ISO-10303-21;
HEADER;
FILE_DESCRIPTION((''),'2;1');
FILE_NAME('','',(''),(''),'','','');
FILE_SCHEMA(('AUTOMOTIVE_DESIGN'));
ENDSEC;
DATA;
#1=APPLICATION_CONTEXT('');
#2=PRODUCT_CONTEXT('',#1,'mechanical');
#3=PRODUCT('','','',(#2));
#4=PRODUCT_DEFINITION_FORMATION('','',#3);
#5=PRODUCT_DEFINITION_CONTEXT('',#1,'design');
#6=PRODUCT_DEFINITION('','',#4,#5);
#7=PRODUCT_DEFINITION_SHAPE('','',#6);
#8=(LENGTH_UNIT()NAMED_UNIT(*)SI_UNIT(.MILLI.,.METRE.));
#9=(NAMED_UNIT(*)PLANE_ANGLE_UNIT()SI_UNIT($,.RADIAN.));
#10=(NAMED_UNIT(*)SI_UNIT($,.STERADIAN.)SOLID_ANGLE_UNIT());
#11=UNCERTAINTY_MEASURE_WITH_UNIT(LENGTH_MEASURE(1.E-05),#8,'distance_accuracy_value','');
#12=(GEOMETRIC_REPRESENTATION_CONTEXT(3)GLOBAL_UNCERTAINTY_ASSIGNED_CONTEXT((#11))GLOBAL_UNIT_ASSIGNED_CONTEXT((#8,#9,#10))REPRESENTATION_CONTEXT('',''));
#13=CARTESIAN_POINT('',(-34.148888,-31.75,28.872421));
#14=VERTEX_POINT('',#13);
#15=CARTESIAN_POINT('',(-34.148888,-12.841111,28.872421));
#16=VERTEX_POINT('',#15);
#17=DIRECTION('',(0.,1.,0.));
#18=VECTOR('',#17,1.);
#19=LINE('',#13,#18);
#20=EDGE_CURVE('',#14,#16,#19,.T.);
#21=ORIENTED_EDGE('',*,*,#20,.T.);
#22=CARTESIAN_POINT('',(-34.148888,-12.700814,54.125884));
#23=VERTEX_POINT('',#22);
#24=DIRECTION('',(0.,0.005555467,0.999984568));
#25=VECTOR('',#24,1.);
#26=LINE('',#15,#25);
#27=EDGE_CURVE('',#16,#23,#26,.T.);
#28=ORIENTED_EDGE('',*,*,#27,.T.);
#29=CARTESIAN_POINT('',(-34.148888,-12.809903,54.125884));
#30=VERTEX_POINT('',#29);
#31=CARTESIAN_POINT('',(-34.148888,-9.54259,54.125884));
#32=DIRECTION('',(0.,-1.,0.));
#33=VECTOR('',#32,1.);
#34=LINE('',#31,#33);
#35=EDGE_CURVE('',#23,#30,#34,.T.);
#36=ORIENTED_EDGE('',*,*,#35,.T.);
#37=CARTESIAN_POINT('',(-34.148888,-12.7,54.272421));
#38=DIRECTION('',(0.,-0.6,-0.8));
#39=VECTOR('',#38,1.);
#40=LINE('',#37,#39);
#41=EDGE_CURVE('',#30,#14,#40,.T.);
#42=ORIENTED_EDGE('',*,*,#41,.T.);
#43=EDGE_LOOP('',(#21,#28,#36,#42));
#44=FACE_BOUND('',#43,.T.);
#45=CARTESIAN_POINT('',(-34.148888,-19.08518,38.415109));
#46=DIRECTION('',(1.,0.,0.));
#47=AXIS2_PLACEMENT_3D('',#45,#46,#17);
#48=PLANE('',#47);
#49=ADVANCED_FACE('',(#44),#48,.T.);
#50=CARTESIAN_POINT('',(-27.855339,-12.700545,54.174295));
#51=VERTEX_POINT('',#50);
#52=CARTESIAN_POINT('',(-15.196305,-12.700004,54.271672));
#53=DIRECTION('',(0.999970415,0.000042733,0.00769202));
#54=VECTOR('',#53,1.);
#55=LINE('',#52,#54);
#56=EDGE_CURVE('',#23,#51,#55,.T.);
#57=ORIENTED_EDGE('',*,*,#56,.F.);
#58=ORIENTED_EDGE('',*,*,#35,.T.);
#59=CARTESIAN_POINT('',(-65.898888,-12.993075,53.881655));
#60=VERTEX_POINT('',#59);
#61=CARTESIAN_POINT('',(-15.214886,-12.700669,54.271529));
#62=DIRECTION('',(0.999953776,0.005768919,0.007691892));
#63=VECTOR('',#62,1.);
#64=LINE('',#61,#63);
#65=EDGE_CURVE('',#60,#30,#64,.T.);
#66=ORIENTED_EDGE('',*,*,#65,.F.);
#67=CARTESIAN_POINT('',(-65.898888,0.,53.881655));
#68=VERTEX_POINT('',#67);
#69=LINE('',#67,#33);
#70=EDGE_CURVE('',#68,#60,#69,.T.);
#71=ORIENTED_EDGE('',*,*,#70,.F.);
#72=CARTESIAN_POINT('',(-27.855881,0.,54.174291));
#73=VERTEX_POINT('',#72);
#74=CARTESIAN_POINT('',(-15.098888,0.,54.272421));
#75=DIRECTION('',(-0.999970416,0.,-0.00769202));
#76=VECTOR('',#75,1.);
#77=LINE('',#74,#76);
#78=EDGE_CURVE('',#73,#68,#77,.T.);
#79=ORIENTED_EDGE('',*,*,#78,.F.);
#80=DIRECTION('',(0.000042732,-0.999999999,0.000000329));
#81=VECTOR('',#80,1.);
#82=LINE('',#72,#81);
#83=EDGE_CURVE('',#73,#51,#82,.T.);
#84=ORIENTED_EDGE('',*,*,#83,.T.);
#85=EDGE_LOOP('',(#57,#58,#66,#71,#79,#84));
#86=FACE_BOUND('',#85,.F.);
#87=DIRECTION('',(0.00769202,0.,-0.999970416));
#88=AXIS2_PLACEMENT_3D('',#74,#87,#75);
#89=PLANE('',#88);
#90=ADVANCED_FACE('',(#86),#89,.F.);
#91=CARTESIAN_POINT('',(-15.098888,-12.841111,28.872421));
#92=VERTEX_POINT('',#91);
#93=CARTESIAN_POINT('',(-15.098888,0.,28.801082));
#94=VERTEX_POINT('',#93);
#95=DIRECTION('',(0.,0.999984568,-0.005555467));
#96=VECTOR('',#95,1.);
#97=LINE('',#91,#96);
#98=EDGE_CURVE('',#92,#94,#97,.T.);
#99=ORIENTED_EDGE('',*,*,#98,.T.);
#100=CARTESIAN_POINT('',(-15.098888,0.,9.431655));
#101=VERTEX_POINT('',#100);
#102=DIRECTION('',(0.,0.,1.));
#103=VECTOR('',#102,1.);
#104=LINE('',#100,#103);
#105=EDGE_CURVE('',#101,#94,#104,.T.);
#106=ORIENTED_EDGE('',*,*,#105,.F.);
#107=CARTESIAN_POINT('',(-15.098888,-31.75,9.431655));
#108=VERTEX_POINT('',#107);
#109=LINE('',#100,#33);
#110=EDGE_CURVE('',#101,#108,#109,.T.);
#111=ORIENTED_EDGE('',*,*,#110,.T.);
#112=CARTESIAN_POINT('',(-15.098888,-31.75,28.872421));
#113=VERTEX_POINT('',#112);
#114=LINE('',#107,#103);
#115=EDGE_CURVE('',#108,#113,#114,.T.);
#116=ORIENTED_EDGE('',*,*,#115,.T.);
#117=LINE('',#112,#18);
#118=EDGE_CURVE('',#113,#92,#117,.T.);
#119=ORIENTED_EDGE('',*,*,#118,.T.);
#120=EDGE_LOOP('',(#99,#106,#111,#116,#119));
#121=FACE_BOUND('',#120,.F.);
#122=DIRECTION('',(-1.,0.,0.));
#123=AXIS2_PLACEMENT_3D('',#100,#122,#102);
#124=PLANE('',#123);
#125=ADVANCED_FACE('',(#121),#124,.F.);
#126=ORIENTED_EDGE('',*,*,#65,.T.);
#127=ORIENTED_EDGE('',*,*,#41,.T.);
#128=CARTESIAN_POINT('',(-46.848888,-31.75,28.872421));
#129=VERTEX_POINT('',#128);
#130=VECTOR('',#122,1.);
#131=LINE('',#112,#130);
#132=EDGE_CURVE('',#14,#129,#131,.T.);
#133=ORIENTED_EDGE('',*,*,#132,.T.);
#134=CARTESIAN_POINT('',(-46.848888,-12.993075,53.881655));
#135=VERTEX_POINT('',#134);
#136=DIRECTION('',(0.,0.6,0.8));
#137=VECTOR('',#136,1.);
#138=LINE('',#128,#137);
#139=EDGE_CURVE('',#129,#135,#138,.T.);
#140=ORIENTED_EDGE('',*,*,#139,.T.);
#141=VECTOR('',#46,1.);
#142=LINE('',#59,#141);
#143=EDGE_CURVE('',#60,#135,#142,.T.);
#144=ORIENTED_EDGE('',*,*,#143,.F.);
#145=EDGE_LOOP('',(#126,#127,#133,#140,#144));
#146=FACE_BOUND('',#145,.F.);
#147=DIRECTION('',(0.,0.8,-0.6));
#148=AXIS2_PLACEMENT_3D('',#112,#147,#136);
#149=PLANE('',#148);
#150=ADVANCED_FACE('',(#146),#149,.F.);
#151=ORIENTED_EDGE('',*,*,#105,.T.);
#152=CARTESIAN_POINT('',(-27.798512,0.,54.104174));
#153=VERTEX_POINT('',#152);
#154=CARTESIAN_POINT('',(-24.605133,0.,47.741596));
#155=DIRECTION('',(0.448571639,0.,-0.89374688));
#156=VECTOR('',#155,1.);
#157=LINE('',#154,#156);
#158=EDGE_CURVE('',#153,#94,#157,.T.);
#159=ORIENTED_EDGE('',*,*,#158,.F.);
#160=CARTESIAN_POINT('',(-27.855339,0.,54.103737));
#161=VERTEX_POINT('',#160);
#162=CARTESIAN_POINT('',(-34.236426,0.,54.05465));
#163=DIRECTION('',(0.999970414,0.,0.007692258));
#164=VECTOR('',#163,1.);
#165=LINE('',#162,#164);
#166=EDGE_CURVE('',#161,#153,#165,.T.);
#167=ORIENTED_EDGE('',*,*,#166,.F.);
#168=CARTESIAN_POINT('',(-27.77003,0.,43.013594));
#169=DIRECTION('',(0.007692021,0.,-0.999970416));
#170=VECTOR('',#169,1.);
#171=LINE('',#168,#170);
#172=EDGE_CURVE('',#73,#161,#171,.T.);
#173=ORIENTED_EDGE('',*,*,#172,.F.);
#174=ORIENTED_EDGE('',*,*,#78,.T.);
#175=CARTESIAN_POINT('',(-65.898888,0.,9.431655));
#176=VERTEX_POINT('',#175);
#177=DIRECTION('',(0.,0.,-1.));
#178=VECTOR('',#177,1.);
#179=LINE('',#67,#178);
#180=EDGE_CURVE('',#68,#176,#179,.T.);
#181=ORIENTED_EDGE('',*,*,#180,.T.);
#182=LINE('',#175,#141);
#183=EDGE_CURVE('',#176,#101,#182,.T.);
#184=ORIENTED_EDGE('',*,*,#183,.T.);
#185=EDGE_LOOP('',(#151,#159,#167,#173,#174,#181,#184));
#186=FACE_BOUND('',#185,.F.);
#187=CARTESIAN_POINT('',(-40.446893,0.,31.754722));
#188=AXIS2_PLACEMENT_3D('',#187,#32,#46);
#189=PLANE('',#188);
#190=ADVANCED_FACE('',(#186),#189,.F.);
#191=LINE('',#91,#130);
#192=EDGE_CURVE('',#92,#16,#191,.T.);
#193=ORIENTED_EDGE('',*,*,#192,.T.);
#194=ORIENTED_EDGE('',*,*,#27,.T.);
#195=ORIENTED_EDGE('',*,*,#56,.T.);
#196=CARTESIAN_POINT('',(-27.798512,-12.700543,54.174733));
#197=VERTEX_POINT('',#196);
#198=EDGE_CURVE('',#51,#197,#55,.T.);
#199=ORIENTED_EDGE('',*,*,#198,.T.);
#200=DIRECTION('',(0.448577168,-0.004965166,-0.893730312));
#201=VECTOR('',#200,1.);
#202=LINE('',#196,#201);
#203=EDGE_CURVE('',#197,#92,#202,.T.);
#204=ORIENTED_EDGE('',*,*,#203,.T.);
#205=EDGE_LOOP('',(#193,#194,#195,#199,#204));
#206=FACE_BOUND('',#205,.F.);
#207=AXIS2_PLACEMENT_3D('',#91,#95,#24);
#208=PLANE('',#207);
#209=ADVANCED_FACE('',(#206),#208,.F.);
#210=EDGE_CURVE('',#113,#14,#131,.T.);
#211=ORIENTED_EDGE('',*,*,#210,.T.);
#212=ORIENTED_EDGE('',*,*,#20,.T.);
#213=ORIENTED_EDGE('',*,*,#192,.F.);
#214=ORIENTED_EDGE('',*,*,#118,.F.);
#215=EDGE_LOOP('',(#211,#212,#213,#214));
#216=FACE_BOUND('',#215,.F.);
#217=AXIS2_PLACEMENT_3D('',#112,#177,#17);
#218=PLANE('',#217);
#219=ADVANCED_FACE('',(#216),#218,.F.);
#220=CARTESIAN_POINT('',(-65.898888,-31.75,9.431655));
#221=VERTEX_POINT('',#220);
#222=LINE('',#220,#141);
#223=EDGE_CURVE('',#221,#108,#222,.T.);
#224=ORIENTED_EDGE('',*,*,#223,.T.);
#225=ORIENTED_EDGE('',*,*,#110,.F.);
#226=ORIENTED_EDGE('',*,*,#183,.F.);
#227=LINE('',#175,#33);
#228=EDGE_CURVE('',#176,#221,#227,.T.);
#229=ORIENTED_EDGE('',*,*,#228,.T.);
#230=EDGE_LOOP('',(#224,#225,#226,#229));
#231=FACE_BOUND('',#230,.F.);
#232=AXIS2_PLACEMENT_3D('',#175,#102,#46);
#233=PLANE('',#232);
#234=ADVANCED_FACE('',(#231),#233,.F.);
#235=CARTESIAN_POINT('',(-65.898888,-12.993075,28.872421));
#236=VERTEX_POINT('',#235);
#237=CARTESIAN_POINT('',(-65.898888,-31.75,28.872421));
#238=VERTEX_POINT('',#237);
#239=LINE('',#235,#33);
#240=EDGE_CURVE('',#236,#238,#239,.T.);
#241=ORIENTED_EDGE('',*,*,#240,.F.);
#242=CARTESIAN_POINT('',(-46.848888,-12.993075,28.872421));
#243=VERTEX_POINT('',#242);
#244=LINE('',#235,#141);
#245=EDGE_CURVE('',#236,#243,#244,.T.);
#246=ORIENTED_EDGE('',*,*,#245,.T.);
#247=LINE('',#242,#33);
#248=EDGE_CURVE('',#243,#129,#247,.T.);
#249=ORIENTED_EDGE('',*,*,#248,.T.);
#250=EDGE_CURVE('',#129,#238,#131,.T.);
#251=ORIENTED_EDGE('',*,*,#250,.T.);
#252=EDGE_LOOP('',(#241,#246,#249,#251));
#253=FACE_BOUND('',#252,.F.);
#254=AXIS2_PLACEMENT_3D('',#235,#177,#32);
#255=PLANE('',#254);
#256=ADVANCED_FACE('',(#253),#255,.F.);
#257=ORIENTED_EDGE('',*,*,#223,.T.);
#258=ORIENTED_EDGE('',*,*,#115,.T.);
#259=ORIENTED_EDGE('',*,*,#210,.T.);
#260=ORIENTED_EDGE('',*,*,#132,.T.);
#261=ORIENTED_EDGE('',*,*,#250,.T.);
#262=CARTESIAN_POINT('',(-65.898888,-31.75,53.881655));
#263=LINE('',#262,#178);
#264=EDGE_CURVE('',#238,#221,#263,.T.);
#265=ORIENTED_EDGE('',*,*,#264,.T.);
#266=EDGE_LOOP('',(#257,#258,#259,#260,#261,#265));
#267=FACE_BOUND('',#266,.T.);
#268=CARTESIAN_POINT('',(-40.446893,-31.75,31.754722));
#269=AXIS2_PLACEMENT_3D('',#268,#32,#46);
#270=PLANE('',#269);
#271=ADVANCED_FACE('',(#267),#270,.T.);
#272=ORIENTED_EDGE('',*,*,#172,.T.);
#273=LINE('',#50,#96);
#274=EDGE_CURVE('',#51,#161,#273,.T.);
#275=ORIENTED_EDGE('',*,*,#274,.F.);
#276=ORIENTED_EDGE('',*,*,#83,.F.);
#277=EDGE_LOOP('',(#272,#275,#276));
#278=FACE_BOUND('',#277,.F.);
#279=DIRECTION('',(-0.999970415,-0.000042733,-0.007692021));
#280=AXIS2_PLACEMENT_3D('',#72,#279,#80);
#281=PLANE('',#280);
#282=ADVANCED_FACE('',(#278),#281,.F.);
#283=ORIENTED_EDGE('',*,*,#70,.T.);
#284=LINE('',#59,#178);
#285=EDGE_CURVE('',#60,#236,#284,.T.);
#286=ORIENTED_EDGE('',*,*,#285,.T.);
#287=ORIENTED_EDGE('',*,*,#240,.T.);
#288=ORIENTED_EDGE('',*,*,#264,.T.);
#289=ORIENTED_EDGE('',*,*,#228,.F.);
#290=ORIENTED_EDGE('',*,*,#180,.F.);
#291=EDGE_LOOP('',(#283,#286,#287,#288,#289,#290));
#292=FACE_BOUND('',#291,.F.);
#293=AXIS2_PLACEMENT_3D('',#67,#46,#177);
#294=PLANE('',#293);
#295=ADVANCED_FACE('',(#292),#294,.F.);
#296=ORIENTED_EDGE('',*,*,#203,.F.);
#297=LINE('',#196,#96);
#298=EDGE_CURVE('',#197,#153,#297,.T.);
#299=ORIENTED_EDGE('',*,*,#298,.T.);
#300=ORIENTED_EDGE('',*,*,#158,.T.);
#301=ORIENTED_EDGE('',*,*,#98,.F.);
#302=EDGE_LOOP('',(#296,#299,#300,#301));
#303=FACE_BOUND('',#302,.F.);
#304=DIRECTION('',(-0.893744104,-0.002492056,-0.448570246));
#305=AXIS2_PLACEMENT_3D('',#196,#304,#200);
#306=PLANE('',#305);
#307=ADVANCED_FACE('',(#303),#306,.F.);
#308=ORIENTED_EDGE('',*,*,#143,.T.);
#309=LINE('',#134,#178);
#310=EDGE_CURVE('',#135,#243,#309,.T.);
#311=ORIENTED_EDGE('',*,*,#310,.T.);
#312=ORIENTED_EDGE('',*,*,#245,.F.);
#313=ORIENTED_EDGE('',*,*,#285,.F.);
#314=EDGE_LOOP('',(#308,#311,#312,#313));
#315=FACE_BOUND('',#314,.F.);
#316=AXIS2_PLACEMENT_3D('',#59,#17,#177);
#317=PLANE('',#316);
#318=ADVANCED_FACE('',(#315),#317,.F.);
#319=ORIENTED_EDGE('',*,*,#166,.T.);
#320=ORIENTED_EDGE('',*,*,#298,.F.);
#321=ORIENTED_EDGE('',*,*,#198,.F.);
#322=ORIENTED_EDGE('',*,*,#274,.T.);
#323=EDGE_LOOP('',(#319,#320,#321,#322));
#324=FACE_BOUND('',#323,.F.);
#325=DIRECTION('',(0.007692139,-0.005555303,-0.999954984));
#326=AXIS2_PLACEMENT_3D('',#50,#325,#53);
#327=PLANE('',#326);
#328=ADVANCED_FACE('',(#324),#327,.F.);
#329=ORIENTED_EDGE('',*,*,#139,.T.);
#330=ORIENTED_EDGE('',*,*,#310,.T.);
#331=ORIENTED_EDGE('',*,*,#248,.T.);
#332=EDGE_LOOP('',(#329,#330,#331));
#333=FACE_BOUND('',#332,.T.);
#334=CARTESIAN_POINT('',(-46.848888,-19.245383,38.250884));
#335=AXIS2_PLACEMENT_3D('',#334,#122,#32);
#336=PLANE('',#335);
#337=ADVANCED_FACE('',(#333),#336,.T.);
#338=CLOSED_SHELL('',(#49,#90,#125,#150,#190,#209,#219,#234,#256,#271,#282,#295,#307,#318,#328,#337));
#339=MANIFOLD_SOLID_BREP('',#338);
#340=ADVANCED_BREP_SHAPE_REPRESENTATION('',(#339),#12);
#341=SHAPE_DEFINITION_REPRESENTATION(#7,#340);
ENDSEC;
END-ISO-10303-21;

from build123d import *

# Parameters (mm, degrees)
F1_DEPTH  = 31.75
F3_DEPTH  = 50.801
F5_DEPTH  = 19.05
F7_DEPTH  = 19.05
F10_DEPTH = 25.4


with BuildPart() as f1:
    # F0 (on Front) → F1 (new body)
    with BuildSketch(Plane.XZ):
        Polygon((-15.0988876544, 54.272421198), (-65.8988876544, 53.8816550068), (-65.8988876544, 9.4316550068), (-15.0988876544, 9.4316550068), align=None)
    extrude(amount=F1_DEPTH)

    # F2 (on face) → F3 (cut, through all)
    with BuildSketch(Plane.YZ.offset(-15.0988876544)):
        Polygon((-12.7, 54.272421198), (-31.75, 54.272421198), (-31.75, 28.872421198), align=None)
    extrude(amount=-F3_DEPTH, mode=Mode.SUBTRACT)

    # F4 (on face) → F5 (cut)
    with BuildSketch(Plane.YZ.offset(-15.0988876544)):
        Polygon((-12.7, 54.272421198), (-31.75, 28.872421198), (-12.8411110491, 28.872421198), align=None)
    extrude(amount=-F5_DEPTH, mode=Mode.SUBTRACT)

    # F6 (on face) → F7 (cut)
    with BuildSketch(Plane(origin=(-65.8988876544, 0, 0), x_dir=(0, -1, 0), z_dir=(-1, 0, 0))):
        Polygon((31.75, 28.872421198), (12.9930746434, 53.8816550068), (12.9930746434, 28.872421198), align=None)
    extrude(amount=-F7_DEPTH, mode=Mode.SUBTRACT)

    # F8 (on face) + F9 (on face) → F10 (cut)
    with BuildSketch(Plane(origin=(0, -13.00111205, 0.0722283685), x_dir=(1, 0, 0), z_dir=(0, -0.9999845683, 0.0055554674))):
        Polygon((-15.0988876544, 28.800637273), (-15.0988876544, 54.201029245), (-27.7985119257, 54.1033390799), align=None)
    with BuildSketch(Plane(origin=(-0.4183455733, 0, 54.3853475663), x_dir=(0.999970416, 0, 0.0076920203), z_dir=(-0.0076920203, 0, 0.999970416))):
        Polygon((-27.4383474236, 0), (-27.4378046857, -12.700545143), (-14.6809764035, -12.7), (-14.6809764035, 0), align=None)
    extrude(amount=-F10_DEPTH, dir=(0, -0.9999845683, 0.0055554674), mode=Mode.SUBTRACT)


solid = f1.part
